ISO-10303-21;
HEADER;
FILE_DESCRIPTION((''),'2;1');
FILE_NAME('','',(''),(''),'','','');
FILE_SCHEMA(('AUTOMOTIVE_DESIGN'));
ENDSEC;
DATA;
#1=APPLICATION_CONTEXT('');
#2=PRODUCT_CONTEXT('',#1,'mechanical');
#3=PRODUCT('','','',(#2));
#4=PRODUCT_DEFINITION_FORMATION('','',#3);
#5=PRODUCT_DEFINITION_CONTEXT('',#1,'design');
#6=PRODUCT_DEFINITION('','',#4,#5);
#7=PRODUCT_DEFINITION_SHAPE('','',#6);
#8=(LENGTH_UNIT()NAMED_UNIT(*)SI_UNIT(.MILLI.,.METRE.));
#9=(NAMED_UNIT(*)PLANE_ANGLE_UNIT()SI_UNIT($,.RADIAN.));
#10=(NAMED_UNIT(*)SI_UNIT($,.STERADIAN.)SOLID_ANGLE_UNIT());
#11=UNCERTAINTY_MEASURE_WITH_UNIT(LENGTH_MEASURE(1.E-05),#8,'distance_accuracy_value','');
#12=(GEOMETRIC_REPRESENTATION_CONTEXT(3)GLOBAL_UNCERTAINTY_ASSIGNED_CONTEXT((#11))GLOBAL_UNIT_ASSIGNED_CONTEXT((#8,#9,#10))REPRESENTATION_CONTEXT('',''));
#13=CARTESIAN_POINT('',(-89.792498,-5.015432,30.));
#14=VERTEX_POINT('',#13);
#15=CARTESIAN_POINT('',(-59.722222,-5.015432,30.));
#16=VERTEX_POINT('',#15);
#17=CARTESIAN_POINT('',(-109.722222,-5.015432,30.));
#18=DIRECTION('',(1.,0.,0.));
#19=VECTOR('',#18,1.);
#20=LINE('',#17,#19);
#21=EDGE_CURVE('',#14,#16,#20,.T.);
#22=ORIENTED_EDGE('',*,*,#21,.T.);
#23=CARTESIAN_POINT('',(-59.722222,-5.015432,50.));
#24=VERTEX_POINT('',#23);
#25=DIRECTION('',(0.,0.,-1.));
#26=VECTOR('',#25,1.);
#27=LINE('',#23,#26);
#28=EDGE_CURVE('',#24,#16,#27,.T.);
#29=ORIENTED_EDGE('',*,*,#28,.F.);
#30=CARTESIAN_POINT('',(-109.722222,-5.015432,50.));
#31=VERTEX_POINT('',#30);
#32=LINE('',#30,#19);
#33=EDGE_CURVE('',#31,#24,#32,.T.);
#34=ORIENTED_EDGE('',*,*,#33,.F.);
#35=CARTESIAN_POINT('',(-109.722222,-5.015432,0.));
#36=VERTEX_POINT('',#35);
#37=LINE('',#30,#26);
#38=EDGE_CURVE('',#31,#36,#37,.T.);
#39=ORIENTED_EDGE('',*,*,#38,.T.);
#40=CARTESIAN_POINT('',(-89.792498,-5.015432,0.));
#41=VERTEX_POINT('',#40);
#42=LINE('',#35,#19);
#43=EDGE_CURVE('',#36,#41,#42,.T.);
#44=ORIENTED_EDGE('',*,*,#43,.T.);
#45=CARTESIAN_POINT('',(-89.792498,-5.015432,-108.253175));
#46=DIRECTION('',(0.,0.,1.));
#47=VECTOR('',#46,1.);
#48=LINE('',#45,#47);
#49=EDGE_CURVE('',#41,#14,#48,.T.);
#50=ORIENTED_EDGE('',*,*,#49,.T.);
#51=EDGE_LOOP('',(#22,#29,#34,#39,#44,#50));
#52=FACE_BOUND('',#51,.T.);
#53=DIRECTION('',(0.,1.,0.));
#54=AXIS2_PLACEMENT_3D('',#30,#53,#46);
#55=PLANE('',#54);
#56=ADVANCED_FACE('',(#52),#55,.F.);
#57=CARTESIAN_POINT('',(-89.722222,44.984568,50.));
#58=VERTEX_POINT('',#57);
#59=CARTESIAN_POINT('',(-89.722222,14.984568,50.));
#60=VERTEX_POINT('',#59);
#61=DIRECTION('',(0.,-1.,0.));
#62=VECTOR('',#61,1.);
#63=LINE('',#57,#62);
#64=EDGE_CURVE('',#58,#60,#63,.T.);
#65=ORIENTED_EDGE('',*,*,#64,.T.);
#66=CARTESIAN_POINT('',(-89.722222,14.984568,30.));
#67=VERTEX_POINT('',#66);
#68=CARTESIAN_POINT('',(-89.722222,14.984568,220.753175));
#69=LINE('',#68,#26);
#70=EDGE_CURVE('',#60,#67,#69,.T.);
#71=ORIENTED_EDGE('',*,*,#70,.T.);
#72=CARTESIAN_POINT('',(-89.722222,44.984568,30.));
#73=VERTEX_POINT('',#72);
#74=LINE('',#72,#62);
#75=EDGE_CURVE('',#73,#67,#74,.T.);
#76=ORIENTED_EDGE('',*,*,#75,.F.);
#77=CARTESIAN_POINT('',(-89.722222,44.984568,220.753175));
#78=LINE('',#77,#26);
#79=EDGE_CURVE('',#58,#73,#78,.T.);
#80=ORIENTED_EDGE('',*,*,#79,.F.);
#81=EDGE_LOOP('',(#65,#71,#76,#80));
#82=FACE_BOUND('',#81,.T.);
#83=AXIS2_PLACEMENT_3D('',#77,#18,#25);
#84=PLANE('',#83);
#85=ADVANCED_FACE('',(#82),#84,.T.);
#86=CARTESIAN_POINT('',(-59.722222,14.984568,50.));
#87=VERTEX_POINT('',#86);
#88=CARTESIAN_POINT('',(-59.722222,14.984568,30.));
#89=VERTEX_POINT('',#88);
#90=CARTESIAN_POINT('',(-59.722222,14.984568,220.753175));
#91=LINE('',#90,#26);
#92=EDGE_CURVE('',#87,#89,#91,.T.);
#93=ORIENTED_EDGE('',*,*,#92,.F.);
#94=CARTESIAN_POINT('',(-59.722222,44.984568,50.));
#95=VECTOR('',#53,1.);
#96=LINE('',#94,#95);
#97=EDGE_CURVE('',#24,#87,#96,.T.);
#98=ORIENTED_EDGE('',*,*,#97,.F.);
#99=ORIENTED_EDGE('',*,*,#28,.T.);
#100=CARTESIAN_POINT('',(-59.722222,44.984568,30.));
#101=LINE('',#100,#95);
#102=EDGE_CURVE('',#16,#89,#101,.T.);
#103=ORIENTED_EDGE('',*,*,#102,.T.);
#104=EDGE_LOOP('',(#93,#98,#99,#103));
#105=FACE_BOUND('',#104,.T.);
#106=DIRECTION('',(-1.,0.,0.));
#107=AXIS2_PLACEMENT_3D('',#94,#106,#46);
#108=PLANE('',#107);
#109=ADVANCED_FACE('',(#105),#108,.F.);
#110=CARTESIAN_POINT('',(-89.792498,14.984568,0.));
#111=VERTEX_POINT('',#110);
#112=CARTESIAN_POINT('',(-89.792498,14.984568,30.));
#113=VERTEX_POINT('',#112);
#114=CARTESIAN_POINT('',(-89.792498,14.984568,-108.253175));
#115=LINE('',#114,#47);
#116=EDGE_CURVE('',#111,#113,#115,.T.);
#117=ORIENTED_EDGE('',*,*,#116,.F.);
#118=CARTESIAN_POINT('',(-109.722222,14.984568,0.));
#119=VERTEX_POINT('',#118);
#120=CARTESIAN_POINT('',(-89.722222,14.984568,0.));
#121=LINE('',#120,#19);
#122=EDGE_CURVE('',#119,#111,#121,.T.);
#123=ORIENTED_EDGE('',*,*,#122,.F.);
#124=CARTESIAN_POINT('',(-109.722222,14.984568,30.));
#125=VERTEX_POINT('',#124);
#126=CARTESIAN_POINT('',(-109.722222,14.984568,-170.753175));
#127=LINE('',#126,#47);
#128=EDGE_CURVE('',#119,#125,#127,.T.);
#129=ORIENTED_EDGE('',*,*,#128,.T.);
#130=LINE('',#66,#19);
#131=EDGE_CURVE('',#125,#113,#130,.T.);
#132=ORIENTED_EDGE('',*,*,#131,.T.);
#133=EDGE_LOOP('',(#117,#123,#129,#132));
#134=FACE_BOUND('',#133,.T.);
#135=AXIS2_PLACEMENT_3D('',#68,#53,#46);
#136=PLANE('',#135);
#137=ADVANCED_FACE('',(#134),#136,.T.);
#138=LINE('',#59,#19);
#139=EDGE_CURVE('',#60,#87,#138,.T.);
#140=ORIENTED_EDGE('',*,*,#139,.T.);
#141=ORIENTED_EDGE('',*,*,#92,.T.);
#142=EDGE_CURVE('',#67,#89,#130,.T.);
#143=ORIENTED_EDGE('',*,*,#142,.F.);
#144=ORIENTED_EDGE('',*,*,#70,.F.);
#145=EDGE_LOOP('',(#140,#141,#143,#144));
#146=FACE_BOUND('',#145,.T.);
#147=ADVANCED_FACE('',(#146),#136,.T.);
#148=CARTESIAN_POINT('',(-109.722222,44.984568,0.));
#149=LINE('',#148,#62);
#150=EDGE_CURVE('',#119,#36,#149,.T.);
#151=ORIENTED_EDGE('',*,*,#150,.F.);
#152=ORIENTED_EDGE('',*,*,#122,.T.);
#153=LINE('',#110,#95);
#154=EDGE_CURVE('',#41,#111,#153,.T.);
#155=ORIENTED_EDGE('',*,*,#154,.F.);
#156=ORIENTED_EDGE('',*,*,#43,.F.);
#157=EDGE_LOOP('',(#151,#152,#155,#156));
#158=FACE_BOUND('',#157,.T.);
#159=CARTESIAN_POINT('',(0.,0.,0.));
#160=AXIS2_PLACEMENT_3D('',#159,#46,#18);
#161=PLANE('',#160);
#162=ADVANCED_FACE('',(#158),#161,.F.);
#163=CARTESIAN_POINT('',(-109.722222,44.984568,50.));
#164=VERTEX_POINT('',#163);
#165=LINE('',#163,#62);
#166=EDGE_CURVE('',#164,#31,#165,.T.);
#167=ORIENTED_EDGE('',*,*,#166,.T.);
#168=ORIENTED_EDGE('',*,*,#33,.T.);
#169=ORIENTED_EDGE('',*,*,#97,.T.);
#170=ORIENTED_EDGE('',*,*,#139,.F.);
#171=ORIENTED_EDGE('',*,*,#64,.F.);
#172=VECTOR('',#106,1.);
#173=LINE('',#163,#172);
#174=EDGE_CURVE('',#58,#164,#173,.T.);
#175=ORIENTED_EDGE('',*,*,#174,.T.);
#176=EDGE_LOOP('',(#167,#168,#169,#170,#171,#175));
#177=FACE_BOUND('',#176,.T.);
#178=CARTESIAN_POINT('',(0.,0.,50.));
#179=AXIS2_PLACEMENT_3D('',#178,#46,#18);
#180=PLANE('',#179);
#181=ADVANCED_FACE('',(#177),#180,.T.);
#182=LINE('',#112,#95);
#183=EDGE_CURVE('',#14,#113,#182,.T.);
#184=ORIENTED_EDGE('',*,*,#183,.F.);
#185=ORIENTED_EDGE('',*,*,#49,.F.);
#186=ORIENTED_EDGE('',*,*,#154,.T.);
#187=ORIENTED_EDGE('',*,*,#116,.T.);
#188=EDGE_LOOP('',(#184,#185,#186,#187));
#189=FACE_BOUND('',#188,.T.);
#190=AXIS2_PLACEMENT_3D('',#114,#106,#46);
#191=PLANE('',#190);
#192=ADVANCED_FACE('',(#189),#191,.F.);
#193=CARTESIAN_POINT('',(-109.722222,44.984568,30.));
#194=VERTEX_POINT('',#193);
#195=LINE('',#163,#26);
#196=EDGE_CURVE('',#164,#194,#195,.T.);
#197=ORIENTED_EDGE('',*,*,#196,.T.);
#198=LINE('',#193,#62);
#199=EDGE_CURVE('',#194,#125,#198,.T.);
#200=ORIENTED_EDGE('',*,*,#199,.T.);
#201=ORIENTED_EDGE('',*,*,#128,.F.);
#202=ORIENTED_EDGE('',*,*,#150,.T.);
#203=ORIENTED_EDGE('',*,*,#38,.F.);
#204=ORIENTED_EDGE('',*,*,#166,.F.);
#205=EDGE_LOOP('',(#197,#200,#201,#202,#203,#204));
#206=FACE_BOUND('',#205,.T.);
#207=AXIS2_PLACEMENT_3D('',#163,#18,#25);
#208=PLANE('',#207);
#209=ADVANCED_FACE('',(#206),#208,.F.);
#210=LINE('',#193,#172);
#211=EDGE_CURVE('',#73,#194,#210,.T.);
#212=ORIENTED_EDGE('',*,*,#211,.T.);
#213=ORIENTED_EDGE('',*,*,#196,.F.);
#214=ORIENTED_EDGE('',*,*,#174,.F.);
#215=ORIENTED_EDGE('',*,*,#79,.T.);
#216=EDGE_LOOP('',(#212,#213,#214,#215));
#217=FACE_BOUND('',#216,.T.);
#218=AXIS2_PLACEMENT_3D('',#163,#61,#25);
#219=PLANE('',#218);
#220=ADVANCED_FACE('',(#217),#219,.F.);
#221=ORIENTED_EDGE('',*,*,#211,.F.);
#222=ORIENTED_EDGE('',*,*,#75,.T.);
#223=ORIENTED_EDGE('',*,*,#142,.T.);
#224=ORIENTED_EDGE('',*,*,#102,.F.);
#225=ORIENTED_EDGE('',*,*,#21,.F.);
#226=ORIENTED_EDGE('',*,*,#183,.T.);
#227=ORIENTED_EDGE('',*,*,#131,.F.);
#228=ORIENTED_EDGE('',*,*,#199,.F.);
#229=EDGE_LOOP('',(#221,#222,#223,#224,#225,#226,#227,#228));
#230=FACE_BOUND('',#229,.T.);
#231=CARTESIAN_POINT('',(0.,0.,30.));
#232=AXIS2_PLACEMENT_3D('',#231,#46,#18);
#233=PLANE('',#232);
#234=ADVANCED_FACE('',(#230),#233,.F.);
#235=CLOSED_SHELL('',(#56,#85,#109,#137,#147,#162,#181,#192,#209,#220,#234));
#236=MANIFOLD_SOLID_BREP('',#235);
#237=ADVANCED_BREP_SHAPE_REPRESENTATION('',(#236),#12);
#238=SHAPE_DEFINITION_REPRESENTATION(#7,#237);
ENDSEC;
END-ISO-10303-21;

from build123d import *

# Parameters (mm, degrees)
ESQUISSE2_W                  = 50
ESQUISSE2_H                  = 50
BOSS_EXTRU_1_DEPTH           = 50
ENL_V_MAT_EXTRU_1_DEPTH      = 129.695677467
ENL_V_MAT_EXTRU_1_DEPTH_BACK = 50
ENL_V_MAT_EXTRU_2_DEPTH      = 129.695677467
ENL_V_MAT_EXTRU_2_DEPTH_BACK = 30
ENL_V_MAT_EXTRU_3_DEPTH      = 129.695677467
ENL_V_MAT_EXTRU_3_DEPTH_BACK = 30


with BuildPart() as part:
    # Esquisse2 → Boss.-Extru.1 (new body)
    with BuildSketch(Plane.XY):
        with Locations((-84.722222222, 19.984567901)):
            Rectangle(ESQUISSE2_W, ESQUISSE2_H)
    extrude(amount=BOSS_EXTRU_1_DEPTH)

    # Esquisse3 → Enlèv. mat.-Extru.1 (cut, two sides: drawn at the far end of the back side and taken through both)
    with BuildSketch(Plane.XY.offset(50).offset(-ENL_V_MAT_EXTRU_1_DEPTH_BACK)):
        Polygon((-89.722222222, 171.603605798), (-89.722222222, 44.984567901), (-89.722222222, 14.984567901), (-59.722222222, 14.984567901), (66.896815675, 14.984567901), (245.963176323, 194.05092855), (89.344138426, 350.669966447), align=None)
    extrude(amount=ENL_V_MAT_EXTRU_1_DEPTH + ENL_V_MAT_EXTRU_1_DEPTH_BACK, mode=Mode.SUBTRACT)

    # Esquisse4 → Enlèv. mat.-Extru.2 (cut, two sides: drawn at the far end of the back side and taken through both)
    with BuildSketch(Plane(origin=(0, 0, 0), x_dir=(-1, 0, 0), z_dir=(0, 0, -1)).offset(-ENL_V_MAT_EXTRU_2_DEPTH_BACK)):
        Polygon((-36.896815675, 14.984567901), (89.722222222, 14.984567901), (109.722222222, 14.984567901), (236.341260119, 14.984567901), (236.341260119, 268.222643695), (-36.896815675, 268.222643695), align=None)
    extrude(amount=ENL_V_MAT_EXTRU_2_DEPTH + ENL_V_MAT_EXTRU_2_DEPTH_BACK, mode=Mode.SUBTRACT)

    # Esquisse5 → Enlèv. mat.-Extru.3 (cut, two sides: drawn at the far end of the back side and taken through both)
    with BuildSketch(Plane(origin=(0, 0, 0), x_dir=(-1, 0, 0), z_dir=(0, 0, -1)).offset(-ENL_V_MAT_EXTRU_3_DEPTH_BACK)):
        Polygon((89.792498294, 141.675981519), (89.792498294, 14.984567901), (89.792498294, -5.015432099), (89.792498294, -131.706845716), (-163.590328941, -131.706845716), (-163.590328941, 141.675981519), align=None)
    extrude(amount=ENL_V_MAT_EXTRU_3_DEPTH + ENL_V_MAT_EXTRU_3_DEPTH_BACK, mode=Mode.SUBTRACT)


solid = part.part
